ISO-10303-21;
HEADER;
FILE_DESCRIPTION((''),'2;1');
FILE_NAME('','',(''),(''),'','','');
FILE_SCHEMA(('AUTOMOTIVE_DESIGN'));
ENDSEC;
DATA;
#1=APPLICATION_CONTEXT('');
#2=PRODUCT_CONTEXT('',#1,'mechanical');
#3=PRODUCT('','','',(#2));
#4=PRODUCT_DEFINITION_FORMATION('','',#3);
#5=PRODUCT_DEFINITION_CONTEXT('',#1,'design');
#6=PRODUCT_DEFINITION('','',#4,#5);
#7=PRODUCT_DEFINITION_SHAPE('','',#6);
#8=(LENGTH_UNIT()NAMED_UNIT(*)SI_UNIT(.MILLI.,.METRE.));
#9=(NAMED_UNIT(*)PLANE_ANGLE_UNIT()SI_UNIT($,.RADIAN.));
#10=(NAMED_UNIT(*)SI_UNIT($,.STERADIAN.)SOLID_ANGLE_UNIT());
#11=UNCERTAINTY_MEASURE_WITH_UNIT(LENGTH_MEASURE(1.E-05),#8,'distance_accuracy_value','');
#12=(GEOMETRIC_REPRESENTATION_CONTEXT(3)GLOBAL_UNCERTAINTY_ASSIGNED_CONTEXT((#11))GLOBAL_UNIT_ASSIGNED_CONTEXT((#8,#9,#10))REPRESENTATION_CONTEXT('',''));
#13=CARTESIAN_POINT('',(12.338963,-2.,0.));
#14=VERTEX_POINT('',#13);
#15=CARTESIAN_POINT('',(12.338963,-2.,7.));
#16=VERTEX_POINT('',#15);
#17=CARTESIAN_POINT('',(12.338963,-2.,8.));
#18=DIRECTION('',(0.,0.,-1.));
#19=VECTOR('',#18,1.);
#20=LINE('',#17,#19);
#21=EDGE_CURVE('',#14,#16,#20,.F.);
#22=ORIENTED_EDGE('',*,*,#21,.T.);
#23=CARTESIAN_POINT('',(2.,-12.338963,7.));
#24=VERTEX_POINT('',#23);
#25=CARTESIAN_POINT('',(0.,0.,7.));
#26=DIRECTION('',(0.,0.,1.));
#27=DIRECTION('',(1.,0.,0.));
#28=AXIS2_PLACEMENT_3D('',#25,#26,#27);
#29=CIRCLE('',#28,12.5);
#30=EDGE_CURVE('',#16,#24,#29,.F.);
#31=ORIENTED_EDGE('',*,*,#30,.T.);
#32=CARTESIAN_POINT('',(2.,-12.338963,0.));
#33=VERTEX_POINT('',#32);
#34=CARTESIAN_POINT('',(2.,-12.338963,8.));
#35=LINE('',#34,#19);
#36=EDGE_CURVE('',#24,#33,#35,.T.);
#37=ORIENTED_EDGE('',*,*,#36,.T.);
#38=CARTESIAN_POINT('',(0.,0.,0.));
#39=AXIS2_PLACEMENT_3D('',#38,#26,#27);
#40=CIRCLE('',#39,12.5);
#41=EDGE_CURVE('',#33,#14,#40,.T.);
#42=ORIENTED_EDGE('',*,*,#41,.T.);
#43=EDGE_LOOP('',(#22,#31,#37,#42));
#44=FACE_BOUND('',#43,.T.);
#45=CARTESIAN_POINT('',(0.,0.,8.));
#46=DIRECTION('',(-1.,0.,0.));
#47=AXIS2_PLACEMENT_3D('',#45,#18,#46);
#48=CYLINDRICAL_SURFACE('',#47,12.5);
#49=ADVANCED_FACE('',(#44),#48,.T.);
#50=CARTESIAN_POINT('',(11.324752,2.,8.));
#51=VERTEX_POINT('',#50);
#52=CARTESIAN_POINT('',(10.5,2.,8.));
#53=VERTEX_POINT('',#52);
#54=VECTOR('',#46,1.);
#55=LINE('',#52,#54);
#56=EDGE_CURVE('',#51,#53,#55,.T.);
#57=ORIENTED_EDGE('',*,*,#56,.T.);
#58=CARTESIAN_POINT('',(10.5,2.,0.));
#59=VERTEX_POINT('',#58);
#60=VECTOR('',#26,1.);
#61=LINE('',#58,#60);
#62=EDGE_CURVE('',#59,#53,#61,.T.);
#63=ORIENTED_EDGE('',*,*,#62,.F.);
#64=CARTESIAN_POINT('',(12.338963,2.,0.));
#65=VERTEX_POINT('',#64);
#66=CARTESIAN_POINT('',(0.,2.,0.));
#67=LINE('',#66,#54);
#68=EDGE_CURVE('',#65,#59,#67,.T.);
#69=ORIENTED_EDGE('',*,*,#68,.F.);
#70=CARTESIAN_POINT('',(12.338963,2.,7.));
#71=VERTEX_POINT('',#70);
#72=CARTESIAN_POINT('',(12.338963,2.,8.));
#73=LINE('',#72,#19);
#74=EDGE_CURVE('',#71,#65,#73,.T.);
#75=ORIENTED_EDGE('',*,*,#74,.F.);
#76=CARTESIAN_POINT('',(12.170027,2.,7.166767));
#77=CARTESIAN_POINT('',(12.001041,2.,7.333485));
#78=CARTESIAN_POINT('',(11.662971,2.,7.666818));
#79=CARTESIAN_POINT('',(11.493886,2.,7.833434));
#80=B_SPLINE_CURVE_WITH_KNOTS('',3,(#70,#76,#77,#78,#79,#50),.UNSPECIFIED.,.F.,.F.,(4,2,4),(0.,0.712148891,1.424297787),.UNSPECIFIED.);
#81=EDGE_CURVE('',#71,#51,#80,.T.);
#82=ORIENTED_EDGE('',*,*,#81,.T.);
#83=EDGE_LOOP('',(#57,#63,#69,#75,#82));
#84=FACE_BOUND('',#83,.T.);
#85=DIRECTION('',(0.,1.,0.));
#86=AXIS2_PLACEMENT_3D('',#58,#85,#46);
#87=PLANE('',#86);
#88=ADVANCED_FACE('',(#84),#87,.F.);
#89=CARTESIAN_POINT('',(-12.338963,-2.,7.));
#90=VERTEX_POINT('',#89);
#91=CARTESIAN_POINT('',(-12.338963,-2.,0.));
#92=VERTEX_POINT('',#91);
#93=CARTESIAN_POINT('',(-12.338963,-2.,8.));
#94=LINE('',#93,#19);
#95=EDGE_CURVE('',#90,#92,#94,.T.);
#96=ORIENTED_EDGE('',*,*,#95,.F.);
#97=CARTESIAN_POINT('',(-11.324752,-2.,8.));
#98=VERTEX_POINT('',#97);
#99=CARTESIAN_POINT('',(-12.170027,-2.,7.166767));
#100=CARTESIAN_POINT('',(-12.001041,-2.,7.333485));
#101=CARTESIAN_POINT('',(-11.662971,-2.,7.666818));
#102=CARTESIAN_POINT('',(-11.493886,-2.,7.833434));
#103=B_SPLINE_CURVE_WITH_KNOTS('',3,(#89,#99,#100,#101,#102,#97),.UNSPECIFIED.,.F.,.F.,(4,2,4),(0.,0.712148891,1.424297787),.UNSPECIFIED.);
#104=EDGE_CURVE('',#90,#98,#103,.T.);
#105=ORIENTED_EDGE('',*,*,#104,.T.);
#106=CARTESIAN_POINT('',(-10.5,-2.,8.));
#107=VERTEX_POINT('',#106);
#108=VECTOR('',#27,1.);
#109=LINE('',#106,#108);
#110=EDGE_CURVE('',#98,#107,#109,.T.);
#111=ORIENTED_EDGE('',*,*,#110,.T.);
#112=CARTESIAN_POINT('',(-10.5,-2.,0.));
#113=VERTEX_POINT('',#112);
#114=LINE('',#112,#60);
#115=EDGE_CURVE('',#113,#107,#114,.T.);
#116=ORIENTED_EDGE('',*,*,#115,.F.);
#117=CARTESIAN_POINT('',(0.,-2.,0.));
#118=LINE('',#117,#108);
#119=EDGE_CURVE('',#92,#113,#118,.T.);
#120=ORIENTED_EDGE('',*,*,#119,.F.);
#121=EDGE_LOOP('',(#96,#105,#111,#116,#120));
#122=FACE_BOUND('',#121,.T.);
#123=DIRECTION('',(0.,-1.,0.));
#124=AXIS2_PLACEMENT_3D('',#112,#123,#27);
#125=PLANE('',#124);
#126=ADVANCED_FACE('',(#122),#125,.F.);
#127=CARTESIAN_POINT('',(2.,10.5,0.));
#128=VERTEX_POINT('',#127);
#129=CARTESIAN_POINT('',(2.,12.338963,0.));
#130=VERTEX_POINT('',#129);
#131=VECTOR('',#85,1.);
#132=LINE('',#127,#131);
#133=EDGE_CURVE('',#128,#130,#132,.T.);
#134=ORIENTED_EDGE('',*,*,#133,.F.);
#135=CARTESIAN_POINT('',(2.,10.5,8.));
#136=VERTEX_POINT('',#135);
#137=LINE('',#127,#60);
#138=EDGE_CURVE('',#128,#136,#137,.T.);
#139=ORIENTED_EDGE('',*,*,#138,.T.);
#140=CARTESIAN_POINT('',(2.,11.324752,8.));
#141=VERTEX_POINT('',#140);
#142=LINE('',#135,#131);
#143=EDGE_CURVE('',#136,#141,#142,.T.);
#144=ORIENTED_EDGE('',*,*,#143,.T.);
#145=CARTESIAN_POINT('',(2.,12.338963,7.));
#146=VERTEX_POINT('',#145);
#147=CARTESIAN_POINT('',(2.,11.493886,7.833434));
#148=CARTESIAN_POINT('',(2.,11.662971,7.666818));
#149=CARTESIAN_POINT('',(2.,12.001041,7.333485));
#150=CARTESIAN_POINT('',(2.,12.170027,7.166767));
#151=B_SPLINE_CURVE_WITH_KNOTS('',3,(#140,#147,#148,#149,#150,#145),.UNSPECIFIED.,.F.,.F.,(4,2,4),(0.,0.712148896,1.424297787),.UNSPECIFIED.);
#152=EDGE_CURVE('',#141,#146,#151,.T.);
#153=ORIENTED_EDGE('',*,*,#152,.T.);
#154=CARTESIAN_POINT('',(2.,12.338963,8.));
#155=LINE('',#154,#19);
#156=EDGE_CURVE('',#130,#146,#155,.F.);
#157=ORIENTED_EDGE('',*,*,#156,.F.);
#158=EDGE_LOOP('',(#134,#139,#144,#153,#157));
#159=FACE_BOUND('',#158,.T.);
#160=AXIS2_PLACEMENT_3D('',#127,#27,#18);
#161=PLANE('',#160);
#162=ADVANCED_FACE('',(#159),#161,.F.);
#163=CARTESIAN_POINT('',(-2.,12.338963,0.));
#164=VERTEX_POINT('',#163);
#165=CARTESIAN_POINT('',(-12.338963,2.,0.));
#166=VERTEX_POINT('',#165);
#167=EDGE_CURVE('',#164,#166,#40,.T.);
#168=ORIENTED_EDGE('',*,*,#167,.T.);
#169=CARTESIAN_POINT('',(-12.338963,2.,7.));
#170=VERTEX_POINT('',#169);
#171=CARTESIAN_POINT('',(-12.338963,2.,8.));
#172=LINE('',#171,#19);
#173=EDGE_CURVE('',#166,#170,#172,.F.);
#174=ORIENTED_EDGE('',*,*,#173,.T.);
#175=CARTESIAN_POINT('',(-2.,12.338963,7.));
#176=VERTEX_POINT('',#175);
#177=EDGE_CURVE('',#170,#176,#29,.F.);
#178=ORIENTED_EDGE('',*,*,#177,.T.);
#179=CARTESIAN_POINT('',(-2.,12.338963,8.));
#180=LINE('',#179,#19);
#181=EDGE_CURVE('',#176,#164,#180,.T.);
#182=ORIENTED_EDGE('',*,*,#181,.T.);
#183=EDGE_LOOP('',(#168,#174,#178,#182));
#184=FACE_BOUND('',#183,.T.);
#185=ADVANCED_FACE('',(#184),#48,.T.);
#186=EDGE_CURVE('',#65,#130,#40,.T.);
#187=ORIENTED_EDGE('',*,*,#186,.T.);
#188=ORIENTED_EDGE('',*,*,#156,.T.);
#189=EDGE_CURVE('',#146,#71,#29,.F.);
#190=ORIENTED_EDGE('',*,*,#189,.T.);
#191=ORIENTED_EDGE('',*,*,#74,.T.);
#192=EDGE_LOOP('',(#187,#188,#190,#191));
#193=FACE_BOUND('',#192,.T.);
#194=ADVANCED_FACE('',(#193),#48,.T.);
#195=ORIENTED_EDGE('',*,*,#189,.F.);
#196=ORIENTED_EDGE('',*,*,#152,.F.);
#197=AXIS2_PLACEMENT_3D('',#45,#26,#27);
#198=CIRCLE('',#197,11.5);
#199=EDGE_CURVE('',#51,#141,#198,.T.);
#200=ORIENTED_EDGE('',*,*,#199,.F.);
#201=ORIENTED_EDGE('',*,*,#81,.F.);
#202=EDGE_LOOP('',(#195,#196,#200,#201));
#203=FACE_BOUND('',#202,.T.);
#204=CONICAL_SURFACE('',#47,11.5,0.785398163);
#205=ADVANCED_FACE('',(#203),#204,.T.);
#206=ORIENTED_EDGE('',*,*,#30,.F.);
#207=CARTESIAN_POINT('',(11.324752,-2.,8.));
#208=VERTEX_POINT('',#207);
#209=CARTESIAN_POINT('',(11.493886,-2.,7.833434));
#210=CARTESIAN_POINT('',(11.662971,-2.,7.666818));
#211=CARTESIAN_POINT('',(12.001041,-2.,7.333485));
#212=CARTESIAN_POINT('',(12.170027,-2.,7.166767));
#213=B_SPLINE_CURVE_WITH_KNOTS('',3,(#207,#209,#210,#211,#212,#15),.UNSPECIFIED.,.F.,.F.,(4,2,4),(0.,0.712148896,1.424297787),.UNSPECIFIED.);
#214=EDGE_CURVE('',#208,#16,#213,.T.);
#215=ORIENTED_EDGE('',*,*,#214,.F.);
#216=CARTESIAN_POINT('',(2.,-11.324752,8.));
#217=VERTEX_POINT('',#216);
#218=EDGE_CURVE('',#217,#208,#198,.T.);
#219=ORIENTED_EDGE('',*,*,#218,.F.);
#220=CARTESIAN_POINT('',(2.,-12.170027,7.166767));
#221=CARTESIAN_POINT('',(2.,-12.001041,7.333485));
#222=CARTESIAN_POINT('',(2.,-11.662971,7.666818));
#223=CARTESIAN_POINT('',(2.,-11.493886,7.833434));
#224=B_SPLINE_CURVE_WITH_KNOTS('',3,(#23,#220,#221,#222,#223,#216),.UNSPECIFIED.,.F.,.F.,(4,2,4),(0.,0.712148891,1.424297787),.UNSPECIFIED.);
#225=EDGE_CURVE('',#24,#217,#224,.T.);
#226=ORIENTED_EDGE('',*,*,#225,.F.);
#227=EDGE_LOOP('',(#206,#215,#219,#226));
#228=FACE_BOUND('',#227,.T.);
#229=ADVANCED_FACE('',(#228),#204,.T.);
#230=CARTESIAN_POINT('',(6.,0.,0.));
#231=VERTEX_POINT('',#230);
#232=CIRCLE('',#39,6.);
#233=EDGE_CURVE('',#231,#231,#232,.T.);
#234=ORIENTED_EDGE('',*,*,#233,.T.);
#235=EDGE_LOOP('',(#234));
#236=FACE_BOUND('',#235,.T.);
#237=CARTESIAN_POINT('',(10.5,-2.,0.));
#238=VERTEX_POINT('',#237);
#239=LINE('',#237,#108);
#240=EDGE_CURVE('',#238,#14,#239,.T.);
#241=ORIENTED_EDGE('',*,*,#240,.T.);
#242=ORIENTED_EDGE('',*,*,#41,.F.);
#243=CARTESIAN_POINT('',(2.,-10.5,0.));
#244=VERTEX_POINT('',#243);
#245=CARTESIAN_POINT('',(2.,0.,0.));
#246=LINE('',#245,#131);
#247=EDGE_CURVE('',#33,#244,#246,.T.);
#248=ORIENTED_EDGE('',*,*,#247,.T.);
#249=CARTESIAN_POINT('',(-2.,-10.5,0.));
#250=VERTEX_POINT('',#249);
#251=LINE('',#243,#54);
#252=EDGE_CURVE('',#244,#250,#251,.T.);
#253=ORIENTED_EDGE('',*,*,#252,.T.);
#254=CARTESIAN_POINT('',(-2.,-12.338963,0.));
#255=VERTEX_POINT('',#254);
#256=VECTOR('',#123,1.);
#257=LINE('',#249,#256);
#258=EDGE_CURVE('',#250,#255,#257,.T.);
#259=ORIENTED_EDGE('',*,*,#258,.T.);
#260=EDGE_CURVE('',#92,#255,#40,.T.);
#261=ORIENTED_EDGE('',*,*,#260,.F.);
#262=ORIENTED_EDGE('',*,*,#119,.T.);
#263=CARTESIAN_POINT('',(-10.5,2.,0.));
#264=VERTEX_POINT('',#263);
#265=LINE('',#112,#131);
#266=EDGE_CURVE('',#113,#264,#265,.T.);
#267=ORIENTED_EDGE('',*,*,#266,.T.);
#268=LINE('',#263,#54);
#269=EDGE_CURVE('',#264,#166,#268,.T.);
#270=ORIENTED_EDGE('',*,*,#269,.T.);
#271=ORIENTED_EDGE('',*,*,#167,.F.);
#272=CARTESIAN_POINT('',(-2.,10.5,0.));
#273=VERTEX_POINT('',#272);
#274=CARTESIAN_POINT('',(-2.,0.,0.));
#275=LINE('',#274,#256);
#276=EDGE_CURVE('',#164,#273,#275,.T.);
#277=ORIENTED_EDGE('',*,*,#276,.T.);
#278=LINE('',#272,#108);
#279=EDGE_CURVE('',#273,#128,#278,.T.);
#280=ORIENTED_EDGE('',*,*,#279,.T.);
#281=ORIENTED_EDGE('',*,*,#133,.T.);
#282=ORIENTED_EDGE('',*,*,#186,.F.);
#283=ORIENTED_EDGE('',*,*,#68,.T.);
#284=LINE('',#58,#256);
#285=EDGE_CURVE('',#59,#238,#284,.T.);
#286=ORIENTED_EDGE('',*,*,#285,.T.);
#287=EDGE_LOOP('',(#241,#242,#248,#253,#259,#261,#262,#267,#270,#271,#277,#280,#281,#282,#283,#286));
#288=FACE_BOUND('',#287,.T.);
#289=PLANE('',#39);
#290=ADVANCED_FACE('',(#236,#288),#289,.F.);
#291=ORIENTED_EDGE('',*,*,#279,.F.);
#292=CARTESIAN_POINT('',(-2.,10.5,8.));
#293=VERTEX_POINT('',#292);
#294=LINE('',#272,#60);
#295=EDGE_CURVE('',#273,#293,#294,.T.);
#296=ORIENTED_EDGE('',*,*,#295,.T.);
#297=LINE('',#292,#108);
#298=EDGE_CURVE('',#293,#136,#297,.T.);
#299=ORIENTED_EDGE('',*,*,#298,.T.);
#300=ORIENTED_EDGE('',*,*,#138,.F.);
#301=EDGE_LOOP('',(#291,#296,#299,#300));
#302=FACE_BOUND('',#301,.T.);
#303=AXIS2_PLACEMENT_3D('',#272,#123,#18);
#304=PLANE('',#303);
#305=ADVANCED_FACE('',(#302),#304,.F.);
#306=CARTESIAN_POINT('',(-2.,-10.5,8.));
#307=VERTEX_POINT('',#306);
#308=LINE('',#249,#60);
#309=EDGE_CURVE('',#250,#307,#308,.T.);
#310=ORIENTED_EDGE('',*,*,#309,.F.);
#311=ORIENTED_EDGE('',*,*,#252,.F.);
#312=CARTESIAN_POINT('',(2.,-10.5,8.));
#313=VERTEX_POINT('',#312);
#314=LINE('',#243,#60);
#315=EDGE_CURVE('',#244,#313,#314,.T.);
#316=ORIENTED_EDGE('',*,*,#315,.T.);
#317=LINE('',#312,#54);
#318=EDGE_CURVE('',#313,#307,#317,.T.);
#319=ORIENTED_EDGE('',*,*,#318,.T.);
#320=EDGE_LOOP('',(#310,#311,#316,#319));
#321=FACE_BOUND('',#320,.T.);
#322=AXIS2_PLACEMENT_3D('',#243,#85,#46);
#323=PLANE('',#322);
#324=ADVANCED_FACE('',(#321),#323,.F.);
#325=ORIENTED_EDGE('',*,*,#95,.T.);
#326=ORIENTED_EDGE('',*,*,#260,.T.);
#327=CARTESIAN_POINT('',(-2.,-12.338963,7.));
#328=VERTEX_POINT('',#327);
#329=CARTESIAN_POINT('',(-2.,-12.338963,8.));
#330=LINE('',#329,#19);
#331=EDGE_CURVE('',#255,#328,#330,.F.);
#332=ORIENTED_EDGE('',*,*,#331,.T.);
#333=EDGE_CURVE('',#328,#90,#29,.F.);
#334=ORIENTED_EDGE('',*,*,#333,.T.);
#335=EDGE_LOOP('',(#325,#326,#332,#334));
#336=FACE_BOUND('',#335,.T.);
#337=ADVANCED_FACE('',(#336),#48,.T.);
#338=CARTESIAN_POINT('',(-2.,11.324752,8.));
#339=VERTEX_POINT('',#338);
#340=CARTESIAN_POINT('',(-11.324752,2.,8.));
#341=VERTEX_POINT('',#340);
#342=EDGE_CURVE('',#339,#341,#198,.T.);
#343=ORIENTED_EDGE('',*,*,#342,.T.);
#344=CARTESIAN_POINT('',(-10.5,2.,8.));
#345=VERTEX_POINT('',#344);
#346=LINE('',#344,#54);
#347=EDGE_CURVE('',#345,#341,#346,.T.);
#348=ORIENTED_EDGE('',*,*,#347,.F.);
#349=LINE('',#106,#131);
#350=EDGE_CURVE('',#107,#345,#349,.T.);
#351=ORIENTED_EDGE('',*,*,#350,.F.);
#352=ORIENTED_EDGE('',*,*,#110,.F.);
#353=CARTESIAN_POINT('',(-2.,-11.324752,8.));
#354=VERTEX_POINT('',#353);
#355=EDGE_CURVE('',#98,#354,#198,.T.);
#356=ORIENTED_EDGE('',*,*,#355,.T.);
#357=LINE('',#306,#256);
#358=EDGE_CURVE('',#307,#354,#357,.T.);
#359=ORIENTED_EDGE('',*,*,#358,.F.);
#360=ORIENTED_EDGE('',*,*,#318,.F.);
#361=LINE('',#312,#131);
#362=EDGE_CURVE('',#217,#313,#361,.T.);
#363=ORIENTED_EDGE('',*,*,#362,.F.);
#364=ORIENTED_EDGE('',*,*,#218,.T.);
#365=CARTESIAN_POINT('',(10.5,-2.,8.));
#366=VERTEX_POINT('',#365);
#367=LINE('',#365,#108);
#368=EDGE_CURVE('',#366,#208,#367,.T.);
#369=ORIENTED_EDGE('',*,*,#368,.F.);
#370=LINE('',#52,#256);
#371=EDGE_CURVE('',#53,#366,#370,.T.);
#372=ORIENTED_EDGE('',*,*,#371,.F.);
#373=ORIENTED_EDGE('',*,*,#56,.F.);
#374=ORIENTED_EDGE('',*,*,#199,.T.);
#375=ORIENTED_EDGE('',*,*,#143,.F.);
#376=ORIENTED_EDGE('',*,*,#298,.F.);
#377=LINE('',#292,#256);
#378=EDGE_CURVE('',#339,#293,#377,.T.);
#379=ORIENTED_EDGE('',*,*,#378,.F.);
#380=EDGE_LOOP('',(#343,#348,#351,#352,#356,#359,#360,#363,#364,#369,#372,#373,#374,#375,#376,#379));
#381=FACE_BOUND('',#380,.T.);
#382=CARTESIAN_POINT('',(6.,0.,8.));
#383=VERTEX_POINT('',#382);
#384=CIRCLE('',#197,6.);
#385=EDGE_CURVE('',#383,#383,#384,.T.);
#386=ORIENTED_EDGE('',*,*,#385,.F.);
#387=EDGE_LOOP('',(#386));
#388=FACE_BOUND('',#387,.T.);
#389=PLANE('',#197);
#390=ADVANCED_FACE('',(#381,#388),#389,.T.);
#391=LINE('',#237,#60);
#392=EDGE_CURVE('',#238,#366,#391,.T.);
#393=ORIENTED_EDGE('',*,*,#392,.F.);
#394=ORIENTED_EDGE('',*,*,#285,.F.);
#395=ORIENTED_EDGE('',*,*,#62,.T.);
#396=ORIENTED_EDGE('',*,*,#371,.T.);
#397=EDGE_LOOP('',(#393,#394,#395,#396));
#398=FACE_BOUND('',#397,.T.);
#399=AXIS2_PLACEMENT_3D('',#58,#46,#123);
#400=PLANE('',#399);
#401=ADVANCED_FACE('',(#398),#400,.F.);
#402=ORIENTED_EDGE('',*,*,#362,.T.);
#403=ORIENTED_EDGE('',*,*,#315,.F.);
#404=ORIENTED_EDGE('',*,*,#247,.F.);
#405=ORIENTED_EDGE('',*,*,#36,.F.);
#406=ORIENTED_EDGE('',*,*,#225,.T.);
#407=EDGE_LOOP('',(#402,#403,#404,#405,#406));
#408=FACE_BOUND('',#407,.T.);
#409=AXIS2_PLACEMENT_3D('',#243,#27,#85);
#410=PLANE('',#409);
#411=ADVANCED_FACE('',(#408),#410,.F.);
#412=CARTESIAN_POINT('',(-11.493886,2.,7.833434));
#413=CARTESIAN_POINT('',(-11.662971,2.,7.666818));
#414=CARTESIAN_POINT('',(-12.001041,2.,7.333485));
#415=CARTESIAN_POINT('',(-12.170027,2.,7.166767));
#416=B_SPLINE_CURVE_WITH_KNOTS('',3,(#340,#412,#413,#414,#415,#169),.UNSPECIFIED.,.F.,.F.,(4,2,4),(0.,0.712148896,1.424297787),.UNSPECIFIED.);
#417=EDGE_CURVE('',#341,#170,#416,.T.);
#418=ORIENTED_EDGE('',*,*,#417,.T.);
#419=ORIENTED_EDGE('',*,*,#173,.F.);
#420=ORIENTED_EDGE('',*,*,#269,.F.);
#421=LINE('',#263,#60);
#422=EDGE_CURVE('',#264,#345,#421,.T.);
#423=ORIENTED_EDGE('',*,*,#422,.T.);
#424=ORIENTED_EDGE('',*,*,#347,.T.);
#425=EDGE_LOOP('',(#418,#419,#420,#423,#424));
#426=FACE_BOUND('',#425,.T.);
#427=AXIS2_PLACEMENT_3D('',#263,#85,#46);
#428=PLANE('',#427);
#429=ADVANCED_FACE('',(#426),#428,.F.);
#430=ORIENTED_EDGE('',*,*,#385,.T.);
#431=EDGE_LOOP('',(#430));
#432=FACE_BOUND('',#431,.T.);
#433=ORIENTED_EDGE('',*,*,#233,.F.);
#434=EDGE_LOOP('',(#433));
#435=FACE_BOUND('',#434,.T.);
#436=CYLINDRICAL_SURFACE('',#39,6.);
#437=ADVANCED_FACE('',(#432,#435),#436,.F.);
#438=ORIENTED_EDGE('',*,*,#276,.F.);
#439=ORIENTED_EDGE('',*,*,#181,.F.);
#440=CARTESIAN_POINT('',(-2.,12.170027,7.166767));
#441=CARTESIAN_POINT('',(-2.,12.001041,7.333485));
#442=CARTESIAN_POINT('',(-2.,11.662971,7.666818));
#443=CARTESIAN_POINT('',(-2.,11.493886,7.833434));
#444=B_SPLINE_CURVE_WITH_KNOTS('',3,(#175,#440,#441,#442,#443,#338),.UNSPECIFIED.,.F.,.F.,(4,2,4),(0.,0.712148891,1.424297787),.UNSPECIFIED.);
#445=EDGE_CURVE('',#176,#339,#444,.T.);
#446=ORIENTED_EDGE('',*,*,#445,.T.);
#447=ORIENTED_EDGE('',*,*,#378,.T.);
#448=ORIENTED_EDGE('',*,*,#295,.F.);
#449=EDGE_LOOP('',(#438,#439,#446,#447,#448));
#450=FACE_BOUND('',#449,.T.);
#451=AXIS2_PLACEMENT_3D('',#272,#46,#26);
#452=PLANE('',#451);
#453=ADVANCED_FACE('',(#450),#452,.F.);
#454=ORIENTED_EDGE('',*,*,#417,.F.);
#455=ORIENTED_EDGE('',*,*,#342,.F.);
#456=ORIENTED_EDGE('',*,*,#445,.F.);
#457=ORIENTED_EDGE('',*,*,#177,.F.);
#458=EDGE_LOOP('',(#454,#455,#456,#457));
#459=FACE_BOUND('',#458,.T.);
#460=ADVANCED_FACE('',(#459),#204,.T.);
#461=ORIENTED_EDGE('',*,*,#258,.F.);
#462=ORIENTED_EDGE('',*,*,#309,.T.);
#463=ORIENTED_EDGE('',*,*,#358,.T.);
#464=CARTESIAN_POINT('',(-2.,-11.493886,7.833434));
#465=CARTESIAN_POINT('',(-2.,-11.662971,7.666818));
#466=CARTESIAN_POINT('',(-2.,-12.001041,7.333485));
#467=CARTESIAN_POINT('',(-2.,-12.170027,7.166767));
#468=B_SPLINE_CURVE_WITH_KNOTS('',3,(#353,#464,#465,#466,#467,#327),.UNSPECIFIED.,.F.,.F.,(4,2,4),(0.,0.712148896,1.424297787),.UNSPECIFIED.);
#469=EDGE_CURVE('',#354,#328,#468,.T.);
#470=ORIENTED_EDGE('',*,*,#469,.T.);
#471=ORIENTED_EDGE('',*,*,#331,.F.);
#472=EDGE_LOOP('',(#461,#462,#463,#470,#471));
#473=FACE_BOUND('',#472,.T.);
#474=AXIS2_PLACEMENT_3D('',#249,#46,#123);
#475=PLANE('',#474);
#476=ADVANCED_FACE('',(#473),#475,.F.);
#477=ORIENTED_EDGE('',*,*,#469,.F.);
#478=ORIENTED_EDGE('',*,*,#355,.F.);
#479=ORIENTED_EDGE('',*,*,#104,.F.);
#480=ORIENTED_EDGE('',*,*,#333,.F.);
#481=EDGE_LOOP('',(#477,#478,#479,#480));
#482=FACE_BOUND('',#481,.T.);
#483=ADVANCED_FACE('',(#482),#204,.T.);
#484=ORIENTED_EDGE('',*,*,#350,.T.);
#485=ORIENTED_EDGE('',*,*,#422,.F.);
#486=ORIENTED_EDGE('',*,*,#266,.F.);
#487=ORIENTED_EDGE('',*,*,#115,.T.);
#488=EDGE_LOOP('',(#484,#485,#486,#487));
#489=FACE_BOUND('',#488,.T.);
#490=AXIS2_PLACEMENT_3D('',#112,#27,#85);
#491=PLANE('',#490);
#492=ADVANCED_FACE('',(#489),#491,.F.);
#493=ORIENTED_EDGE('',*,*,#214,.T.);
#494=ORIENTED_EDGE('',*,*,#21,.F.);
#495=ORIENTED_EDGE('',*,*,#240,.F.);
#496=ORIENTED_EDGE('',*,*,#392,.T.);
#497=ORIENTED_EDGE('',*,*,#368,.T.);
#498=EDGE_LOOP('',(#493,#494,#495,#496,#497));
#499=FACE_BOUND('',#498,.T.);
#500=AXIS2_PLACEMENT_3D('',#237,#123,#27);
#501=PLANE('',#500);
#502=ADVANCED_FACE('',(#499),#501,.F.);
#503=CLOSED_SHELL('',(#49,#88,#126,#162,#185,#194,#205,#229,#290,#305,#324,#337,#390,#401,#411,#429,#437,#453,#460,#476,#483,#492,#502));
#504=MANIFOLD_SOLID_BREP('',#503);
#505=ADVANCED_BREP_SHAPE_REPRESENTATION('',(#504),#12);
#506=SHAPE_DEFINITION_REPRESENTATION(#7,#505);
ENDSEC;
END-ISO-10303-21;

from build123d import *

# Parameters (mm, degrees)
SKETCH1_R           = 12.5
BOSS_EXTRUDE1_DEPTH = 8
SKETCH2_R           = 6
CUT_EXTRUDE1_DEPTH  = 20.403607912
SKETCH3_W           = 4
SKETCH3_H           = 4
CUT_EXTRUDE2_DEPTH  = 20.403607912
CHAMFER1_SIZE       = 1


with BuildPart() as part:
    # Sketch1 → Boss-Extrude1 (new body)
    with BuildSketch(Plane.XY):
        Circle(SKETCH1_R)
    extrude(amount=BOSS_EXTRUDE1_DEPTH)

    # Sketch2 → Cut-Extrude1 (cut, through all)
    with BuildSketch(Plane.XY.offset(8)):
        Circle(SKETCH2_R)
    extrude(amount=-CUT_EXTRUDE1_DEPTH, mode=Mode.SUBTRACT)

    # Sketch3 → Cut-Extrude2 (cut, through all)
    with BuildSketch(Plane.XY.offset(8)):
        with Locations((12.5, 0)):
            Rectangle(SKETCH3_W, SKETCH3_H)
        with Locations((0, 12.5)):
            Rectangle(SKETCH3_W, SKETCH3_H)
        with Locations((0, -12.5)):
            Rectangle(SKETCH3_W, SKETCH3_H)
        with Locations((-12.5, 0)):
            Rectangle(SKETCH3_W, SKETCH3_H)
    extrude(amount=-CUT_EXTRUDE2_DEPTH, mode=Mode.SUBTRACT)

    # Chamfer1
    chamfer1_edges = [part.edges().sort_by_distance(p)[0] for p in [
        (-8.838834765, 8.838834765, 8),
        (-8.838834765, -8.838834765, 8),
        (8.838834765, -8.838834765, 8),
        (8.838834765, 8.838834765, 8),
    ]]
    chamfer(chamfer1_edges, length=CHAMFER1_SIZE)


solid = part.part
